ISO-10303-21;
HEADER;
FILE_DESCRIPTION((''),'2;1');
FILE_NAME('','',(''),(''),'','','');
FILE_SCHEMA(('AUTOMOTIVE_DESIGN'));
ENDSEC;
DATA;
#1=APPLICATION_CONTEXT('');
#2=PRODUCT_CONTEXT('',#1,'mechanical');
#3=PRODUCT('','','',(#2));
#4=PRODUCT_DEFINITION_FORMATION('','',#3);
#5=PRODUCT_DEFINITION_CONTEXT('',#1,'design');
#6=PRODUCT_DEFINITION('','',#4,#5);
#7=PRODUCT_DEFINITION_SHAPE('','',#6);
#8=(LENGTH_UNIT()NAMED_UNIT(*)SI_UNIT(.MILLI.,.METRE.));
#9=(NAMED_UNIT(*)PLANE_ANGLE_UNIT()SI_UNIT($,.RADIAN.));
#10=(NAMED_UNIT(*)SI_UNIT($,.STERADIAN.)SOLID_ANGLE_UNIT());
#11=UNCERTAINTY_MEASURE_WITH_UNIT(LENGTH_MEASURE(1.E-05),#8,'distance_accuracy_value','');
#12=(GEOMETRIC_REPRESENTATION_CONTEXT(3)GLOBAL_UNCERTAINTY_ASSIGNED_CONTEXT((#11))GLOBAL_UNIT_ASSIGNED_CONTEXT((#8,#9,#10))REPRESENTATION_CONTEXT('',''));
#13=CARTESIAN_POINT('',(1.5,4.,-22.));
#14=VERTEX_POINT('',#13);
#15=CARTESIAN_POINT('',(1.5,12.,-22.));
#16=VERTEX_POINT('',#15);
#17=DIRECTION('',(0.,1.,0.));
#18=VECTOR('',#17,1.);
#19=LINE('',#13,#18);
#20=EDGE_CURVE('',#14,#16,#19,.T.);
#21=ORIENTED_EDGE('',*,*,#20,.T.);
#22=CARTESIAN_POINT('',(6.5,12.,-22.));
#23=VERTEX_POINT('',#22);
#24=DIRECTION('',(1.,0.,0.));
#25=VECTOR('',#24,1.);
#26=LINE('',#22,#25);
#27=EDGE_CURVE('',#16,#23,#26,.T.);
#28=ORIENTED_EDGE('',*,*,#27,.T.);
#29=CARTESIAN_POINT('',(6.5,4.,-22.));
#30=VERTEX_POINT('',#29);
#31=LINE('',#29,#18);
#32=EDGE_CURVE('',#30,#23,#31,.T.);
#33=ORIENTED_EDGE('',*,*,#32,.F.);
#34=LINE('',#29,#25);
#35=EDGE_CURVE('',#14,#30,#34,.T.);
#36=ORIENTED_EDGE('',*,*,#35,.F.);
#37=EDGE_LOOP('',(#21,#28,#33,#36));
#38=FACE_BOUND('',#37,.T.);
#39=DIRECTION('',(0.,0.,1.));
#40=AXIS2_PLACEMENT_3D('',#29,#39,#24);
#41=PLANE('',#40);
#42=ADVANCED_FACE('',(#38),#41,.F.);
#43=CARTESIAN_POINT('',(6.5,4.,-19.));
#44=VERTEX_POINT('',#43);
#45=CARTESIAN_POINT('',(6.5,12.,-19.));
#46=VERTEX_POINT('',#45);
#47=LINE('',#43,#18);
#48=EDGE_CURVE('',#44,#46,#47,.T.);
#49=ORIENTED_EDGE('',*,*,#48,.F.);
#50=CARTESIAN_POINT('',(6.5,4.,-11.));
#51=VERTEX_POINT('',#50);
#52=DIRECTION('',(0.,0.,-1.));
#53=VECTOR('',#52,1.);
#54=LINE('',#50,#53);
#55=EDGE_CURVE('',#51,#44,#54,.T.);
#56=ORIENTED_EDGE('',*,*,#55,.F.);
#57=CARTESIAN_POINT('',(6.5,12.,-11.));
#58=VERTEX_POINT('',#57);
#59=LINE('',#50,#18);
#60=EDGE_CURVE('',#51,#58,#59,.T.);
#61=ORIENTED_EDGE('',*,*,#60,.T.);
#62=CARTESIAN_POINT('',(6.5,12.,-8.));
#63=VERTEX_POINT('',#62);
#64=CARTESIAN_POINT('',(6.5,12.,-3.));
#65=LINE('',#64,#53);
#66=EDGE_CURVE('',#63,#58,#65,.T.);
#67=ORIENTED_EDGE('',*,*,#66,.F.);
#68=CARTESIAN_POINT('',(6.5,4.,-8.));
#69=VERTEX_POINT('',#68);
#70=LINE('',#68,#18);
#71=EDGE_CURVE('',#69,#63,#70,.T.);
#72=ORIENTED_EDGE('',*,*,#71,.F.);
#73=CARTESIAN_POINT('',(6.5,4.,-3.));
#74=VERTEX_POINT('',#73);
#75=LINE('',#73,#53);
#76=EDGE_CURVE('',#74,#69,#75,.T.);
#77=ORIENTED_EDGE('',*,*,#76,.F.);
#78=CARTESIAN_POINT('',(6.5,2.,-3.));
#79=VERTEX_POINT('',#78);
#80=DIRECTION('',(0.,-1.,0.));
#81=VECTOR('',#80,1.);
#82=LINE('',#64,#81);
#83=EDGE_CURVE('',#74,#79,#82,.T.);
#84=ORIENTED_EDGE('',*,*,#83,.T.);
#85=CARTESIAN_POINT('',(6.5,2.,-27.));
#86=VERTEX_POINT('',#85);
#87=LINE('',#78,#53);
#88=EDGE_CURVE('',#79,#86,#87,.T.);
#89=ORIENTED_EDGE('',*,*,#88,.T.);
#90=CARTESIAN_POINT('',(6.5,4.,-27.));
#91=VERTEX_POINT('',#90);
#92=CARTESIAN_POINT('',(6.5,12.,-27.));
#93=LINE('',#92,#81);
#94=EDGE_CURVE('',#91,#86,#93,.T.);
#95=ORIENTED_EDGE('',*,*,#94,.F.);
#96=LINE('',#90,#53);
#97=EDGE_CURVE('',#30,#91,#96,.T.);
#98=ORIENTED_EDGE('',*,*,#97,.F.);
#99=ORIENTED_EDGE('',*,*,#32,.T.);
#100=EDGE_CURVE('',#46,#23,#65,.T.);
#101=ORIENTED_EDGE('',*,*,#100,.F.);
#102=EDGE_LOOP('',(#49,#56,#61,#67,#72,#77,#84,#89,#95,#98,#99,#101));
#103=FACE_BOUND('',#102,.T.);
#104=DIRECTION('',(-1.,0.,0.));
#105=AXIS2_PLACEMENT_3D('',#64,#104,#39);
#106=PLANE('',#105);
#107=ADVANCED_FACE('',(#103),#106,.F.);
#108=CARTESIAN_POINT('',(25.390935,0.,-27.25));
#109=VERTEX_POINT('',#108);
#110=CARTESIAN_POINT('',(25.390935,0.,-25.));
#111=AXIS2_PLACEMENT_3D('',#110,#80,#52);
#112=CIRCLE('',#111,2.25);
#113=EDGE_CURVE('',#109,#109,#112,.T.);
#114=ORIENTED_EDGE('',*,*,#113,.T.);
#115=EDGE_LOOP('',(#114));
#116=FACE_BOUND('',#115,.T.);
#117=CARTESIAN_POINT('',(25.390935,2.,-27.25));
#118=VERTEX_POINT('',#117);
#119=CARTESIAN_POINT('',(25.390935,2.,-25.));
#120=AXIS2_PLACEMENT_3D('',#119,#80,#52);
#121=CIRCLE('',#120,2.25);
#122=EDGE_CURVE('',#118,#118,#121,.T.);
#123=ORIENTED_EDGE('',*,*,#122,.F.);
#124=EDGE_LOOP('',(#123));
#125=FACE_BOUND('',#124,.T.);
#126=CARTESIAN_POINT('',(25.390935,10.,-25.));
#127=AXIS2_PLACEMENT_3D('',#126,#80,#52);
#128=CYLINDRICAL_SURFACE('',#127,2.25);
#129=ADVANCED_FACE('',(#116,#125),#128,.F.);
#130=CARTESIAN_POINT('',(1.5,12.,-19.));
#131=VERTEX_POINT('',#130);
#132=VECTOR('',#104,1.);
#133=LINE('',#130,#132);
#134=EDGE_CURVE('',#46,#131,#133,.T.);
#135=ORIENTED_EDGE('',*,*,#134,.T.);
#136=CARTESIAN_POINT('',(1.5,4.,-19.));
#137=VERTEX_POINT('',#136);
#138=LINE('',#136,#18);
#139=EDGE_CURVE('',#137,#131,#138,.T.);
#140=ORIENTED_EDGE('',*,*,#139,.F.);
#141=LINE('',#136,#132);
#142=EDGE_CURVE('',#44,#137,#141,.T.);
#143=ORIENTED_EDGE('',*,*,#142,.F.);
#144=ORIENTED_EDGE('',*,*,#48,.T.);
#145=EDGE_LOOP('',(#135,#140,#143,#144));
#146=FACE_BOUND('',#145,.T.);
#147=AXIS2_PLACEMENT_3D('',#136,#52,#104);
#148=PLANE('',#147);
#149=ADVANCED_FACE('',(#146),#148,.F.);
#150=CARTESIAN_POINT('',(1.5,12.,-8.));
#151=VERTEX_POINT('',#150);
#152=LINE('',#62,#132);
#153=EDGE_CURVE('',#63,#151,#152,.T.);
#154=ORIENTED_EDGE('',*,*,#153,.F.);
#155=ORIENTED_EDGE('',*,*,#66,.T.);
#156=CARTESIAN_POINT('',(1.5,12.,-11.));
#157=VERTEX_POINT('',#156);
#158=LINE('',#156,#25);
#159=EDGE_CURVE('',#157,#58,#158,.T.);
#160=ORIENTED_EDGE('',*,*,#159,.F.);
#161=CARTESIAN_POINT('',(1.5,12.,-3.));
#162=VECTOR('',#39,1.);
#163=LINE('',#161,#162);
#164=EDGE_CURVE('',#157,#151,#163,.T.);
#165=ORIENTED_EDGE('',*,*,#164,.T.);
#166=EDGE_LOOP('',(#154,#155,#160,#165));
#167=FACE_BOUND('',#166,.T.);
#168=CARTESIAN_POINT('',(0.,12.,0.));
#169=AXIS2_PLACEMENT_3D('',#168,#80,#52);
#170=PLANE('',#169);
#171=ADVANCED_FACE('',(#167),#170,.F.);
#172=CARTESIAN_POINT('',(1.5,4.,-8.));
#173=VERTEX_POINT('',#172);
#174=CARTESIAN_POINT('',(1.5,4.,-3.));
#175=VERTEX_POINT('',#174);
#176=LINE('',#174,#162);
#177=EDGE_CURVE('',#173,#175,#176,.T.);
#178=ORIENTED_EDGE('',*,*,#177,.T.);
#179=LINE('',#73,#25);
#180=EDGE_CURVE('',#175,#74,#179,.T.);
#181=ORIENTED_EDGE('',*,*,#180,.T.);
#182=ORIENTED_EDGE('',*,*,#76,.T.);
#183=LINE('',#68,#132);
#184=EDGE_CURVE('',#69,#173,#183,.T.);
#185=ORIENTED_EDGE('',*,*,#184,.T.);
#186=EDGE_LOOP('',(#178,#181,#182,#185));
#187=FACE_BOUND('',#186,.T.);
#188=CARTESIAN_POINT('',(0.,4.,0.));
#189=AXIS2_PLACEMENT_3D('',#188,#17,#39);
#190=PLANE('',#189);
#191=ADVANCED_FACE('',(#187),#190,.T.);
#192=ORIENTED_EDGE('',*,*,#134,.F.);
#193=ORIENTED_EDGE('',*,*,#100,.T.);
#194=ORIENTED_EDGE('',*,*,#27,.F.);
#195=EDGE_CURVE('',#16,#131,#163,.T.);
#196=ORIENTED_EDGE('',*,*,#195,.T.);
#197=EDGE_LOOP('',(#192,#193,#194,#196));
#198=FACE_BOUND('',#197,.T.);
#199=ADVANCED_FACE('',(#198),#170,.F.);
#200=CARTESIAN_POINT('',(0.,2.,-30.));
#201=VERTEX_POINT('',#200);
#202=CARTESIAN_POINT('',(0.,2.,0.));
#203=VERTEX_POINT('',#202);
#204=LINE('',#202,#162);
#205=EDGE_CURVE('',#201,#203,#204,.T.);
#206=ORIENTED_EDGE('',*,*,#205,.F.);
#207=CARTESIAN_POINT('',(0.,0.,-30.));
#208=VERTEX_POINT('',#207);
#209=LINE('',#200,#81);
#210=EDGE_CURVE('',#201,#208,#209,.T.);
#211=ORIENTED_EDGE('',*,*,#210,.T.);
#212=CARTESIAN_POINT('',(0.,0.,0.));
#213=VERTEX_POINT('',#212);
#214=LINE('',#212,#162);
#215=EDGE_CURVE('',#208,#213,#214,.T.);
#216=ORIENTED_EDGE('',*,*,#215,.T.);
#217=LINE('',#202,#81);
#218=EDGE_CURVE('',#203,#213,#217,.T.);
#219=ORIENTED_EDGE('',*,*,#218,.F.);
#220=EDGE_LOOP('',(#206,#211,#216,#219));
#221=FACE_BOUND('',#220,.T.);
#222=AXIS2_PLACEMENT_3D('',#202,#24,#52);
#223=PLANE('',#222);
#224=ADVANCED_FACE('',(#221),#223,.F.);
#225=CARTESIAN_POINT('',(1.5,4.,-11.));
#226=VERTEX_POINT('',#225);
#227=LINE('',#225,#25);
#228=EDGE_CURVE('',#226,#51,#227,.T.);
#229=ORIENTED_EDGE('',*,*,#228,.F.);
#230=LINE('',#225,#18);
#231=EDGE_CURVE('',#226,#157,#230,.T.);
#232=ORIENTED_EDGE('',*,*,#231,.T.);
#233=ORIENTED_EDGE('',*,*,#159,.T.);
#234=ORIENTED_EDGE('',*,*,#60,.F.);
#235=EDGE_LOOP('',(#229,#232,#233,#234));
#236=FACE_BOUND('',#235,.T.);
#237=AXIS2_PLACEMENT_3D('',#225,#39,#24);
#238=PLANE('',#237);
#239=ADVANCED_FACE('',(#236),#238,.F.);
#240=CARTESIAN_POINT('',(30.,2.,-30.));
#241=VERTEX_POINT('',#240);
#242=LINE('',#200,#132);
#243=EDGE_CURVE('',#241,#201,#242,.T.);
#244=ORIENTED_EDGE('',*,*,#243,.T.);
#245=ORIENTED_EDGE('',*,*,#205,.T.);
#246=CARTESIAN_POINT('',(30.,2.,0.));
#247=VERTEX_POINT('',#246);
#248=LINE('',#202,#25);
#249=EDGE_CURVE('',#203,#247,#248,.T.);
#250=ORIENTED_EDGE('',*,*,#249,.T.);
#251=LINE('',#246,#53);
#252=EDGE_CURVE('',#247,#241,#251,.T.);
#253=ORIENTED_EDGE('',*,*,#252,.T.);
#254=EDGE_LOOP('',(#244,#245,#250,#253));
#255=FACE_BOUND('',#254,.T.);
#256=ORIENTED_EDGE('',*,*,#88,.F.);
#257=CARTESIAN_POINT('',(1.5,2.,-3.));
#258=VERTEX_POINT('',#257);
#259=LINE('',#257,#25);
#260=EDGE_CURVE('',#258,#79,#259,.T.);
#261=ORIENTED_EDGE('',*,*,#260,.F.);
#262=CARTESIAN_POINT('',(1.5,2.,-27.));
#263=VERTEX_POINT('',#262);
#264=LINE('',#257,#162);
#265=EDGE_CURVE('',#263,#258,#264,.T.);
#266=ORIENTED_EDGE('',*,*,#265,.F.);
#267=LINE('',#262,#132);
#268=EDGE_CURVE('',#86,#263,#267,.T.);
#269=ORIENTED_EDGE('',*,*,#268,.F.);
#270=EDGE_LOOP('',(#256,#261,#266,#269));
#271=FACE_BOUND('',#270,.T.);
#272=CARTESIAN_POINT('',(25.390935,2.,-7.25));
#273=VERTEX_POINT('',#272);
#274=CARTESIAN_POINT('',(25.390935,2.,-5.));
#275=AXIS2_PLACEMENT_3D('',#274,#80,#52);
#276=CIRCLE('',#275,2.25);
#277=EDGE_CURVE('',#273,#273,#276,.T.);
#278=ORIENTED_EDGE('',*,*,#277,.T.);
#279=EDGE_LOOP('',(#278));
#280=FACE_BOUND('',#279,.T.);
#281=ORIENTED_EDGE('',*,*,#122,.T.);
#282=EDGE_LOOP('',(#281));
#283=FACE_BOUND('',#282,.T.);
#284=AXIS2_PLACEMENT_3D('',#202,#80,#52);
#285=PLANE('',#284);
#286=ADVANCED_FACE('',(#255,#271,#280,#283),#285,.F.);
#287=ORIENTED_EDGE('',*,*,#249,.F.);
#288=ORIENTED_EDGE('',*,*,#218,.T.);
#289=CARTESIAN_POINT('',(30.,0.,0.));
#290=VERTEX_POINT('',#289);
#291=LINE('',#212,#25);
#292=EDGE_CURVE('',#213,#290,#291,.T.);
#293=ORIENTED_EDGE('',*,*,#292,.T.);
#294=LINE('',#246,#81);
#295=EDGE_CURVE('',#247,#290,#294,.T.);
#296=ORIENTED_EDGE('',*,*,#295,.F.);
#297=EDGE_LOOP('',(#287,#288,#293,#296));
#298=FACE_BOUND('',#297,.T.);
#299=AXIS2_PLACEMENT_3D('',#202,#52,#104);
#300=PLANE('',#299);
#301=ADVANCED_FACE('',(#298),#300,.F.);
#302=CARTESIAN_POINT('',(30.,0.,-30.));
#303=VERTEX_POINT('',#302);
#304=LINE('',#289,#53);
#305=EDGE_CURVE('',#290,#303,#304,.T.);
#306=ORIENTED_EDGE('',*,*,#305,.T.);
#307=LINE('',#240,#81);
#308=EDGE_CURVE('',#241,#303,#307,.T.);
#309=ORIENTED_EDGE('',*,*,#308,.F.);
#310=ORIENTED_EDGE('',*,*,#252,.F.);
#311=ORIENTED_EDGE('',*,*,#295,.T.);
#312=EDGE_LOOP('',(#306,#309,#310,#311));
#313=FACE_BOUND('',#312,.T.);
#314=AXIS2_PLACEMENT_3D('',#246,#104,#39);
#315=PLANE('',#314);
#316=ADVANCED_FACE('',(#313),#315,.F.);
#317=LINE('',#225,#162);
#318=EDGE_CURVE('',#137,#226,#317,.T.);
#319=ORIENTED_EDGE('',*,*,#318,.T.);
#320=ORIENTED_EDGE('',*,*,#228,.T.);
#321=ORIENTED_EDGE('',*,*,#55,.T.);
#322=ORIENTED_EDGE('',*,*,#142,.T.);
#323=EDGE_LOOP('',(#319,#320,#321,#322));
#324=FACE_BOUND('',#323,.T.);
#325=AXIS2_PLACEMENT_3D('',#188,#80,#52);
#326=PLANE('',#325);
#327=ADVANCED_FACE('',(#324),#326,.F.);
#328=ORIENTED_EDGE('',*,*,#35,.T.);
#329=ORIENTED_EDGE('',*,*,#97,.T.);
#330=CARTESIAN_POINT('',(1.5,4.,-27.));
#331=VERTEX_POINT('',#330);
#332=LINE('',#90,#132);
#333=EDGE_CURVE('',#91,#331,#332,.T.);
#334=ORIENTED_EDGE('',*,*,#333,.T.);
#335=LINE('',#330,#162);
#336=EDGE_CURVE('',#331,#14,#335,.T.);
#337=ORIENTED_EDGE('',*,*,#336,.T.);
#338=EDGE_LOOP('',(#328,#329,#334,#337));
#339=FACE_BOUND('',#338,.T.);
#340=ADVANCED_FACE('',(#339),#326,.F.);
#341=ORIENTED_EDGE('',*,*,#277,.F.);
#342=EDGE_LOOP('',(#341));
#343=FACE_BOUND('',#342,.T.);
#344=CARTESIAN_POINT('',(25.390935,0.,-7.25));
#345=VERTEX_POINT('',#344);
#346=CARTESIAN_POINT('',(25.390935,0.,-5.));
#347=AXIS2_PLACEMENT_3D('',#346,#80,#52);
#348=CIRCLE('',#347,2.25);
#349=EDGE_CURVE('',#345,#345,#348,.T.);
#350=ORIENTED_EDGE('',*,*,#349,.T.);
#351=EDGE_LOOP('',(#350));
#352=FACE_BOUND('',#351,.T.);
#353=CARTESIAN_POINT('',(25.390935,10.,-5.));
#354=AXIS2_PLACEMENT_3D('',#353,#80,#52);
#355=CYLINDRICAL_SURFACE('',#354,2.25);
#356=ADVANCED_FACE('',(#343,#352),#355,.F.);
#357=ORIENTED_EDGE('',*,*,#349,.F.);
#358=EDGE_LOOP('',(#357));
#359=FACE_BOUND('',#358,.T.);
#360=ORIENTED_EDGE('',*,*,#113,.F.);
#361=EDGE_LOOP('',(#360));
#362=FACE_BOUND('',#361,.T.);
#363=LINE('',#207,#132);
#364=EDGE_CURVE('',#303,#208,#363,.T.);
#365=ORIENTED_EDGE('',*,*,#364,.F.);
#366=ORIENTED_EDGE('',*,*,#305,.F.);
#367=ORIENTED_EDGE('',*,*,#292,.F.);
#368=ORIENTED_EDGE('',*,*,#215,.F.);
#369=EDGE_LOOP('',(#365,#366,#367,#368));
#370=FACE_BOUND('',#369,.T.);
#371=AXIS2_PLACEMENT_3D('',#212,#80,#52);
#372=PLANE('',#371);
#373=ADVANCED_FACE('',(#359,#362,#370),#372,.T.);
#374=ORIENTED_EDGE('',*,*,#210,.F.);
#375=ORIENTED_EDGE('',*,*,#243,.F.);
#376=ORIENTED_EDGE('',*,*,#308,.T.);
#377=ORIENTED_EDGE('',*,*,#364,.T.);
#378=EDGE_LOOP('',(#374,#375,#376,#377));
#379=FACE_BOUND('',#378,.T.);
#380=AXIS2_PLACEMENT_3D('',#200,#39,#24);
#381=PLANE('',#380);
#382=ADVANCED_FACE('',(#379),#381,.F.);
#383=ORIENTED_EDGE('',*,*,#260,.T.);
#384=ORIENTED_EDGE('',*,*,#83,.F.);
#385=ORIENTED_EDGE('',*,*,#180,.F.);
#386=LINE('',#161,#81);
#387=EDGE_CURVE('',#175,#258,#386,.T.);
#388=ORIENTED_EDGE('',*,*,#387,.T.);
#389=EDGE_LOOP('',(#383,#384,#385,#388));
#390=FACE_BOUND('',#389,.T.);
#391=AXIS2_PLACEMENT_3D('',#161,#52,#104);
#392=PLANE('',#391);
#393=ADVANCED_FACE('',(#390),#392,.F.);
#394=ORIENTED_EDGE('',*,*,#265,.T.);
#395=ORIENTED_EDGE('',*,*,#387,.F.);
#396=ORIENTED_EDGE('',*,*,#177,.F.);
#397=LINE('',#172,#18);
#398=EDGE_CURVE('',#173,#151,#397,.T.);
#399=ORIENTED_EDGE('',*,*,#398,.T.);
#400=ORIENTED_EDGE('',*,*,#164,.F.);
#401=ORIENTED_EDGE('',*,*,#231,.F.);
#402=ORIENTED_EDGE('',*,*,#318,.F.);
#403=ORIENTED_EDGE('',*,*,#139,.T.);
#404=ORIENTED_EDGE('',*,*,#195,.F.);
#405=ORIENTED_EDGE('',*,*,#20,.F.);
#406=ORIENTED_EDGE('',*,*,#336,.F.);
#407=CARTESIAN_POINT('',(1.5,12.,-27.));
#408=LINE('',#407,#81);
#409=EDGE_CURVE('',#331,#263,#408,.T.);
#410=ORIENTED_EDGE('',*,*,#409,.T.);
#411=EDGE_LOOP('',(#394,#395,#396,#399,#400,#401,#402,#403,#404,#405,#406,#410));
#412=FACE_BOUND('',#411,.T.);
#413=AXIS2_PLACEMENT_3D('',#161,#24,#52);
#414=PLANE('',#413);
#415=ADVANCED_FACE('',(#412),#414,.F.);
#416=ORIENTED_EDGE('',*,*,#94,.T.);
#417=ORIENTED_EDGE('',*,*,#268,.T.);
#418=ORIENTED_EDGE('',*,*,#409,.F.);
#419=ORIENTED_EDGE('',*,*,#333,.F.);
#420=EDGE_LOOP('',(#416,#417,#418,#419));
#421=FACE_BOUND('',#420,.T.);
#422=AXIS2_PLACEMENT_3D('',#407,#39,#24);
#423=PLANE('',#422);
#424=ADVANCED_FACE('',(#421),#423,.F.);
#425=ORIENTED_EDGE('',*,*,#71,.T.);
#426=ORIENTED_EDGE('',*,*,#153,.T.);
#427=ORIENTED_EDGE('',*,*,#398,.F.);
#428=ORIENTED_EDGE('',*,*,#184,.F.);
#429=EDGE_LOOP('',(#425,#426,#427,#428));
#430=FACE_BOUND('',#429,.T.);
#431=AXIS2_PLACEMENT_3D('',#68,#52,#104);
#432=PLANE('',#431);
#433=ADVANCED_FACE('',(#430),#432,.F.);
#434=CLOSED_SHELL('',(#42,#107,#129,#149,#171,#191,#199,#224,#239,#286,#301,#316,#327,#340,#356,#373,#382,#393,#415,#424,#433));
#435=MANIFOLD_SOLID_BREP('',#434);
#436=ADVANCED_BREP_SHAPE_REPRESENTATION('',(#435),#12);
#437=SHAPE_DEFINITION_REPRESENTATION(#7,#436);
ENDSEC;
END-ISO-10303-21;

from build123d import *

# Parameters (mm, degrees)
SKETCH1_W           = 30
SKETCH1_H           = 30
BOSS_EXTRUDE1_DEPTH = 2
SKETCH2_W           = 5
SKETCH2_H           = 24
BOSS_EXTRUDE2_DEPTH = 10
SKETCH3_W           = 5
SKETCH3_H           = 5
SKETCH3_H_2         = 8
CUT_EXTRUDE1_DEPTH  = 8
SKETCH4_R           = 2.25
CUT_EXTRUDE2_DEPTH  = 10


with BuildPart() as part:
    # Sketch1 → Boss-Extrude1 (new body)
    with BuildSketch(Plane(origin=(0, 0, 0), x_dir=(1, 0, 0), z_dir=(0, 1, 0))):
        with Locations((15, 15)):
            Rectangle(SKETCH1_W, SKETCH1_H)
    extrude(amount=BOSS_EXTRUDE1_DEPTH)

    # Sketch2 → Boss-Extrude2 (add)
    with BuildSketch(Plane(origin=(0, 2, 0), x_dir=(1, 0, 0), z_dir=(0, 1, 0))):
        with Locations((4, 15)):
            Rectangle(SKETCH2_W, SKETCH2_H)
    extrude(amount=BOSS_EXTRUDE2_DEPTH)

    # Sketch3 → Cut-Extrude1 (cut)
    with BuildSketch(Plane(origin=(0, 12, 0), x_dir=(1, 0, 0), z_dir=(0, 1, 0))):
        with Locations((4, 24.5)):
            Rectangle(SKETCH3_W, SKETCH3_H)
        with Locations((4, 5.5)):
            Rectangle(SKETCH3_W, SKETCH3_H)
        with Locations((4, 15)):
            Rectangle(SKETCH3_W, SKETCH3_H_2)
    extrude(amount=-CUT_EXTRUDE1_DEPTH, mode=Mode.SUBTRACT)

    # Sketch4 → Cut-Extrude2 (cut)
    with BuildSketch(Plane.XZ):
        with Locations(Location((25.390935128, -5, 0), (0, 0, 270))):
            Circle(SKETCH4_R)
        with Locations(Location((25.390935128, -25, 0), (0, 0, 270))):
            Circle(SKETCH4_R)
    extrude(amount=-CUT_EXTRUDE2_DEPTH, mode=Mode.SUBTRACT)


solid = part.part
